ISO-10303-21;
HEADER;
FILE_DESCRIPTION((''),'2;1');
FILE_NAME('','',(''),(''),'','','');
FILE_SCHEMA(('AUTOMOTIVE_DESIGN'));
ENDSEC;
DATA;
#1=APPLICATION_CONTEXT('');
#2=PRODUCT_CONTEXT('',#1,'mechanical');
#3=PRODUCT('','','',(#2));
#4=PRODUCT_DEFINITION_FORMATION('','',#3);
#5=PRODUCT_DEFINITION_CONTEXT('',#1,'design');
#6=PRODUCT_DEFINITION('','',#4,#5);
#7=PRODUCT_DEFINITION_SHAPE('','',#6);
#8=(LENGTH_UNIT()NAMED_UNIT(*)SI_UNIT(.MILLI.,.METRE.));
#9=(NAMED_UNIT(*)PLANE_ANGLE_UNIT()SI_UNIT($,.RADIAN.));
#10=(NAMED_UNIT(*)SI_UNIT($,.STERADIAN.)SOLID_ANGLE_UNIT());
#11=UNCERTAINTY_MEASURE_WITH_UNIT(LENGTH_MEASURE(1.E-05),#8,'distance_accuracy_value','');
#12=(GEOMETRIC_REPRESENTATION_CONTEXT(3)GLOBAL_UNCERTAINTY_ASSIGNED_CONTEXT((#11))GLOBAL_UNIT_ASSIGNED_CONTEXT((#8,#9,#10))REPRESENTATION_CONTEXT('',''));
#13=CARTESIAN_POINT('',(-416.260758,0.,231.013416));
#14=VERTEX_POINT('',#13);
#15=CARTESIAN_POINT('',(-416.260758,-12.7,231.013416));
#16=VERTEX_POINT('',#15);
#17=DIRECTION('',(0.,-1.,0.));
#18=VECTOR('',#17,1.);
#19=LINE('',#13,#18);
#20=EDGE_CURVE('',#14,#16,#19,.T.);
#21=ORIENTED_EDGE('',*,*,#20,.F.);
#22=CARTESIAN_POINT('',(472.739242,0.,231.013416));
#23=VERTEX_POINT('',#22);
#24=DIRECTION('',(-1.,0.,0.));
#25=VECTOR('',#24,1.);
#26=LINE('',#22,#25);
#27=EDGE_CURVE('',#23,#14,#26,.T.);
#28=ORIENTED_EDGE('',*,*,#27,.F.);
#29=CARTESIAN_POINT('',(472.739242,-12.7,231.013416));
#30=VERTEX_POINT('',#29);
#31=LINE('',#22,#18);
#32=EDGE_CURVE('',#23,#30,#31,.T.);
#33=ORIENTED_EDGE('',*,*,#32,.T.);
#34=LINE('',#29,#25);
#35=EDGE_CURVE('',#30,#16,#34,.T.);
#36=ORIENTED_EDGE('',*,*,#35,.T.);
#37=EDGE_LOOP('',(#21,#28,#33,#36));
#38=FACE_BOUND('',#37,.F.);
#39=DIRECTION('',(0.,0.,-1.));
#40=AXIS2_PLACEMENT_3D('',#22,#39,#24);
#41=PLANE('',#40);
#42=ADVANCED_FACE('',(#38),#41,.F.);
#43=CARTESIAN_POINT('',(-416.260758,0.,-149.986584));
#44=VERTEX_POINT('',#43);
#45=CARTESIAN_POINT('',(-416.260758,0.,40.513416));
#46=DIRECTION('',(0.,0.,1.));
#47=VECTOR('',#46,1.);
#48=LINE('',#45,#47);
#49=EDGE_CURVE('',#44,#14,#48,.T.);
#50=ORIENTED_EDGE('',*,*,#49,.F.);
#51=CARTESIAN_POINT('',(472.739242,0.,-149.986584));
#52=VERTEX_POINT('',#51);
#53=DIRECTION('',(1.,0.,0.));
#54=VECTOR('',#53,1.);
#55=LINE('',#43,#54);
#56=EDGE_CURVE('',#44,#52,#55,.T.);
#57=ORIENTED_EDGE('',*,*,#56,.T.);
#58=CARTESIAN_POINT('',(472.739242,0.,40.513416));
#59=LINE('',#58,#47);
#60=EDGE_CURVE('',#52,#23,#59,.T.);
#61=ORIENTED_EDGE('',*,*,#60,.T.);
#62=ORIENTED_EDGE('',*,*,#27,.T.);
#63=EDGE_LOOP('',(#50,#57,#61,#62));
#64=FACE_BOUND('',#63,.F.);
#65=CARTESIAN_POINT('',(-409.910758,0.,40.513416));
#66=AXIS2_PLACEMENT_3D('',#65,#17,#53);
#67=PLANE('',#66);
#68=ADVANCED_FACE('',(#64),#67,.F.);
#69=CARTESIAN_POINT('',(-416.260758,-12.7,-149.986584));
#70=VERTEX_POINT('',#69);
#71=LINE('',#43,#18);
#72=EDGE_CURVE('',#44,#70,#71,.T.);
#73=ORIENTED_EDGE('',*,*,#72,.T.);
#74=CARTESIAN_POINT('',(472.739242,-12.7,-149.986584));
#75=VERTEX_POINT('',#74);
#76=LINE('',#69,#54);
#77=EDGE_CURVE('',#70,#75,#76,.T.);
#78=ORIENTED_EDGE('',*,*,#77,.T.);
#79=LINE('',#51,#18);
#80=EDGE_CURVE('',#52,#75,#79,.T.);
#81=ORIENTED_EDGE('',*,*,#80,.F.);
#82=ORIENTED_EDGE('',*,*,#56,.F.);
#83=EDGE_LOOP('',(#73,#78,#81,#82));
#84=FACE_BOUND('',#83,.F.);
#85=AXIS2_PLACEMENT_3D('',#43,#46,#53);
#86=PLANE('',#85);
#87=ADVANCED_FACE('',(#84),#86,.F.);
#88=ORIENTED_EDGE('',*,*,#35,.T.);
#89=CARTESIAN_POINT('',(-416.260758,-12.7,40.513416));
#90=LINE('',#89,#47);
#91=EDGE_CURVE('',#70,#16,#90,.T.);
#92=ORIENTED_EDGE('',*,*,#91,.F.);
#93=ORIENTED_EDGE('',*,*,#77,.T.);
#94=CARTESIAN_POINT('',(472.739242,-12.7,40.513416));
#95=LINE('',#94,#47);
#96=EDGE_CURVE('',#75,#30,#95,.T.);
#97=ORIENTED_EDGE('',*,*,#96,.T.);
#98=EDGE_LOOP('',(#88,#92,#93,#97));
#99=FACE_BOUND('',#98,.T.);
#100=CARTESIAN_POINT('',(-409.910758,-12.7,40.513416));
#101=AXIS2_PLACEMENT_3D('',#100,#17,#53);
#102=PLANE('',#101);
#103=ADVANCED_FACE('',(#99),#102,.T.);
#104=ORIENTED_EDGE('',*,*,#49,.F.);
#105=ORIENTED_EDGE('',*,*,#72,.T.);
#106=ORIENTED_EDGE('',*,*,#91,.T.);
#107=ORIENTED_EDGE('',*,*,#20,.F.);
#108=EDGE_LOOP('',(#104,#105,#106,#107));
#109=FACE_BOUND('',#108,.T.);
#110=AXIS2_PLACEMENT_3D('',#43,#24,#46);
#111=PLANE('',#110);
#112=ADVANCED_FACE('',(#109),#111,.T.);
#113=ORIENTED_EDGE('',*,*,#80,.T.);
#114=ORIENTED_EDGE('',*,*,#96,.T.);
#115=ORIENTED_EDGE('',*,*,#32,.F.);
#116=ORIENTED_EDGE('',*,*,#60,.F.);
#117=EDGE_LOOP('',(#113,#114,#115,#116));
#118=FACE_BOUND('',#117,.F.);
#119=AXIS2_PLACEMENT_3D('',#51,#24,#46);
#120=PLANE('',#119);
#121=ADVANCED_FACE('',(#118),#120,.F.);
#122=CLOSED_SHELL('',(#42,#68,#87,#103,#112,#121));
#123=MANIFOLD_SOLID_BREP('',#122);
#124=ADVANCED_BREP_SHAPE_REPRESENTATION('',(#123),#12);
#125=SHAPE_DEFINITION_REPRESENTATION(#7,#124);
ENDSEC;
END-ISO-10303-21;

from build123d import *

# Parameters (mm, degrees)
F0_W     = 12.7
F0_H     = 381
F0_W_2   = 863.6
F1_DEPTH = 12.7


with BuildPart() as f1:
    # F0 (on Front) → F1 (new body)
    with BuildSketch(Plane.XZ):
        with Locations((-409.910758, 40.513416)):
            Rectangle(F0_W, F0_H)
        with Locations((28.239242, 40.513416)):
            Rectangle(F0_W_2, F0_H)
        with Locations((466.389242, 40.513416)):
            Rectangle(F0_W, F0_H)
    extrude(amount=F1_DEPTH)


solid = f1.part
